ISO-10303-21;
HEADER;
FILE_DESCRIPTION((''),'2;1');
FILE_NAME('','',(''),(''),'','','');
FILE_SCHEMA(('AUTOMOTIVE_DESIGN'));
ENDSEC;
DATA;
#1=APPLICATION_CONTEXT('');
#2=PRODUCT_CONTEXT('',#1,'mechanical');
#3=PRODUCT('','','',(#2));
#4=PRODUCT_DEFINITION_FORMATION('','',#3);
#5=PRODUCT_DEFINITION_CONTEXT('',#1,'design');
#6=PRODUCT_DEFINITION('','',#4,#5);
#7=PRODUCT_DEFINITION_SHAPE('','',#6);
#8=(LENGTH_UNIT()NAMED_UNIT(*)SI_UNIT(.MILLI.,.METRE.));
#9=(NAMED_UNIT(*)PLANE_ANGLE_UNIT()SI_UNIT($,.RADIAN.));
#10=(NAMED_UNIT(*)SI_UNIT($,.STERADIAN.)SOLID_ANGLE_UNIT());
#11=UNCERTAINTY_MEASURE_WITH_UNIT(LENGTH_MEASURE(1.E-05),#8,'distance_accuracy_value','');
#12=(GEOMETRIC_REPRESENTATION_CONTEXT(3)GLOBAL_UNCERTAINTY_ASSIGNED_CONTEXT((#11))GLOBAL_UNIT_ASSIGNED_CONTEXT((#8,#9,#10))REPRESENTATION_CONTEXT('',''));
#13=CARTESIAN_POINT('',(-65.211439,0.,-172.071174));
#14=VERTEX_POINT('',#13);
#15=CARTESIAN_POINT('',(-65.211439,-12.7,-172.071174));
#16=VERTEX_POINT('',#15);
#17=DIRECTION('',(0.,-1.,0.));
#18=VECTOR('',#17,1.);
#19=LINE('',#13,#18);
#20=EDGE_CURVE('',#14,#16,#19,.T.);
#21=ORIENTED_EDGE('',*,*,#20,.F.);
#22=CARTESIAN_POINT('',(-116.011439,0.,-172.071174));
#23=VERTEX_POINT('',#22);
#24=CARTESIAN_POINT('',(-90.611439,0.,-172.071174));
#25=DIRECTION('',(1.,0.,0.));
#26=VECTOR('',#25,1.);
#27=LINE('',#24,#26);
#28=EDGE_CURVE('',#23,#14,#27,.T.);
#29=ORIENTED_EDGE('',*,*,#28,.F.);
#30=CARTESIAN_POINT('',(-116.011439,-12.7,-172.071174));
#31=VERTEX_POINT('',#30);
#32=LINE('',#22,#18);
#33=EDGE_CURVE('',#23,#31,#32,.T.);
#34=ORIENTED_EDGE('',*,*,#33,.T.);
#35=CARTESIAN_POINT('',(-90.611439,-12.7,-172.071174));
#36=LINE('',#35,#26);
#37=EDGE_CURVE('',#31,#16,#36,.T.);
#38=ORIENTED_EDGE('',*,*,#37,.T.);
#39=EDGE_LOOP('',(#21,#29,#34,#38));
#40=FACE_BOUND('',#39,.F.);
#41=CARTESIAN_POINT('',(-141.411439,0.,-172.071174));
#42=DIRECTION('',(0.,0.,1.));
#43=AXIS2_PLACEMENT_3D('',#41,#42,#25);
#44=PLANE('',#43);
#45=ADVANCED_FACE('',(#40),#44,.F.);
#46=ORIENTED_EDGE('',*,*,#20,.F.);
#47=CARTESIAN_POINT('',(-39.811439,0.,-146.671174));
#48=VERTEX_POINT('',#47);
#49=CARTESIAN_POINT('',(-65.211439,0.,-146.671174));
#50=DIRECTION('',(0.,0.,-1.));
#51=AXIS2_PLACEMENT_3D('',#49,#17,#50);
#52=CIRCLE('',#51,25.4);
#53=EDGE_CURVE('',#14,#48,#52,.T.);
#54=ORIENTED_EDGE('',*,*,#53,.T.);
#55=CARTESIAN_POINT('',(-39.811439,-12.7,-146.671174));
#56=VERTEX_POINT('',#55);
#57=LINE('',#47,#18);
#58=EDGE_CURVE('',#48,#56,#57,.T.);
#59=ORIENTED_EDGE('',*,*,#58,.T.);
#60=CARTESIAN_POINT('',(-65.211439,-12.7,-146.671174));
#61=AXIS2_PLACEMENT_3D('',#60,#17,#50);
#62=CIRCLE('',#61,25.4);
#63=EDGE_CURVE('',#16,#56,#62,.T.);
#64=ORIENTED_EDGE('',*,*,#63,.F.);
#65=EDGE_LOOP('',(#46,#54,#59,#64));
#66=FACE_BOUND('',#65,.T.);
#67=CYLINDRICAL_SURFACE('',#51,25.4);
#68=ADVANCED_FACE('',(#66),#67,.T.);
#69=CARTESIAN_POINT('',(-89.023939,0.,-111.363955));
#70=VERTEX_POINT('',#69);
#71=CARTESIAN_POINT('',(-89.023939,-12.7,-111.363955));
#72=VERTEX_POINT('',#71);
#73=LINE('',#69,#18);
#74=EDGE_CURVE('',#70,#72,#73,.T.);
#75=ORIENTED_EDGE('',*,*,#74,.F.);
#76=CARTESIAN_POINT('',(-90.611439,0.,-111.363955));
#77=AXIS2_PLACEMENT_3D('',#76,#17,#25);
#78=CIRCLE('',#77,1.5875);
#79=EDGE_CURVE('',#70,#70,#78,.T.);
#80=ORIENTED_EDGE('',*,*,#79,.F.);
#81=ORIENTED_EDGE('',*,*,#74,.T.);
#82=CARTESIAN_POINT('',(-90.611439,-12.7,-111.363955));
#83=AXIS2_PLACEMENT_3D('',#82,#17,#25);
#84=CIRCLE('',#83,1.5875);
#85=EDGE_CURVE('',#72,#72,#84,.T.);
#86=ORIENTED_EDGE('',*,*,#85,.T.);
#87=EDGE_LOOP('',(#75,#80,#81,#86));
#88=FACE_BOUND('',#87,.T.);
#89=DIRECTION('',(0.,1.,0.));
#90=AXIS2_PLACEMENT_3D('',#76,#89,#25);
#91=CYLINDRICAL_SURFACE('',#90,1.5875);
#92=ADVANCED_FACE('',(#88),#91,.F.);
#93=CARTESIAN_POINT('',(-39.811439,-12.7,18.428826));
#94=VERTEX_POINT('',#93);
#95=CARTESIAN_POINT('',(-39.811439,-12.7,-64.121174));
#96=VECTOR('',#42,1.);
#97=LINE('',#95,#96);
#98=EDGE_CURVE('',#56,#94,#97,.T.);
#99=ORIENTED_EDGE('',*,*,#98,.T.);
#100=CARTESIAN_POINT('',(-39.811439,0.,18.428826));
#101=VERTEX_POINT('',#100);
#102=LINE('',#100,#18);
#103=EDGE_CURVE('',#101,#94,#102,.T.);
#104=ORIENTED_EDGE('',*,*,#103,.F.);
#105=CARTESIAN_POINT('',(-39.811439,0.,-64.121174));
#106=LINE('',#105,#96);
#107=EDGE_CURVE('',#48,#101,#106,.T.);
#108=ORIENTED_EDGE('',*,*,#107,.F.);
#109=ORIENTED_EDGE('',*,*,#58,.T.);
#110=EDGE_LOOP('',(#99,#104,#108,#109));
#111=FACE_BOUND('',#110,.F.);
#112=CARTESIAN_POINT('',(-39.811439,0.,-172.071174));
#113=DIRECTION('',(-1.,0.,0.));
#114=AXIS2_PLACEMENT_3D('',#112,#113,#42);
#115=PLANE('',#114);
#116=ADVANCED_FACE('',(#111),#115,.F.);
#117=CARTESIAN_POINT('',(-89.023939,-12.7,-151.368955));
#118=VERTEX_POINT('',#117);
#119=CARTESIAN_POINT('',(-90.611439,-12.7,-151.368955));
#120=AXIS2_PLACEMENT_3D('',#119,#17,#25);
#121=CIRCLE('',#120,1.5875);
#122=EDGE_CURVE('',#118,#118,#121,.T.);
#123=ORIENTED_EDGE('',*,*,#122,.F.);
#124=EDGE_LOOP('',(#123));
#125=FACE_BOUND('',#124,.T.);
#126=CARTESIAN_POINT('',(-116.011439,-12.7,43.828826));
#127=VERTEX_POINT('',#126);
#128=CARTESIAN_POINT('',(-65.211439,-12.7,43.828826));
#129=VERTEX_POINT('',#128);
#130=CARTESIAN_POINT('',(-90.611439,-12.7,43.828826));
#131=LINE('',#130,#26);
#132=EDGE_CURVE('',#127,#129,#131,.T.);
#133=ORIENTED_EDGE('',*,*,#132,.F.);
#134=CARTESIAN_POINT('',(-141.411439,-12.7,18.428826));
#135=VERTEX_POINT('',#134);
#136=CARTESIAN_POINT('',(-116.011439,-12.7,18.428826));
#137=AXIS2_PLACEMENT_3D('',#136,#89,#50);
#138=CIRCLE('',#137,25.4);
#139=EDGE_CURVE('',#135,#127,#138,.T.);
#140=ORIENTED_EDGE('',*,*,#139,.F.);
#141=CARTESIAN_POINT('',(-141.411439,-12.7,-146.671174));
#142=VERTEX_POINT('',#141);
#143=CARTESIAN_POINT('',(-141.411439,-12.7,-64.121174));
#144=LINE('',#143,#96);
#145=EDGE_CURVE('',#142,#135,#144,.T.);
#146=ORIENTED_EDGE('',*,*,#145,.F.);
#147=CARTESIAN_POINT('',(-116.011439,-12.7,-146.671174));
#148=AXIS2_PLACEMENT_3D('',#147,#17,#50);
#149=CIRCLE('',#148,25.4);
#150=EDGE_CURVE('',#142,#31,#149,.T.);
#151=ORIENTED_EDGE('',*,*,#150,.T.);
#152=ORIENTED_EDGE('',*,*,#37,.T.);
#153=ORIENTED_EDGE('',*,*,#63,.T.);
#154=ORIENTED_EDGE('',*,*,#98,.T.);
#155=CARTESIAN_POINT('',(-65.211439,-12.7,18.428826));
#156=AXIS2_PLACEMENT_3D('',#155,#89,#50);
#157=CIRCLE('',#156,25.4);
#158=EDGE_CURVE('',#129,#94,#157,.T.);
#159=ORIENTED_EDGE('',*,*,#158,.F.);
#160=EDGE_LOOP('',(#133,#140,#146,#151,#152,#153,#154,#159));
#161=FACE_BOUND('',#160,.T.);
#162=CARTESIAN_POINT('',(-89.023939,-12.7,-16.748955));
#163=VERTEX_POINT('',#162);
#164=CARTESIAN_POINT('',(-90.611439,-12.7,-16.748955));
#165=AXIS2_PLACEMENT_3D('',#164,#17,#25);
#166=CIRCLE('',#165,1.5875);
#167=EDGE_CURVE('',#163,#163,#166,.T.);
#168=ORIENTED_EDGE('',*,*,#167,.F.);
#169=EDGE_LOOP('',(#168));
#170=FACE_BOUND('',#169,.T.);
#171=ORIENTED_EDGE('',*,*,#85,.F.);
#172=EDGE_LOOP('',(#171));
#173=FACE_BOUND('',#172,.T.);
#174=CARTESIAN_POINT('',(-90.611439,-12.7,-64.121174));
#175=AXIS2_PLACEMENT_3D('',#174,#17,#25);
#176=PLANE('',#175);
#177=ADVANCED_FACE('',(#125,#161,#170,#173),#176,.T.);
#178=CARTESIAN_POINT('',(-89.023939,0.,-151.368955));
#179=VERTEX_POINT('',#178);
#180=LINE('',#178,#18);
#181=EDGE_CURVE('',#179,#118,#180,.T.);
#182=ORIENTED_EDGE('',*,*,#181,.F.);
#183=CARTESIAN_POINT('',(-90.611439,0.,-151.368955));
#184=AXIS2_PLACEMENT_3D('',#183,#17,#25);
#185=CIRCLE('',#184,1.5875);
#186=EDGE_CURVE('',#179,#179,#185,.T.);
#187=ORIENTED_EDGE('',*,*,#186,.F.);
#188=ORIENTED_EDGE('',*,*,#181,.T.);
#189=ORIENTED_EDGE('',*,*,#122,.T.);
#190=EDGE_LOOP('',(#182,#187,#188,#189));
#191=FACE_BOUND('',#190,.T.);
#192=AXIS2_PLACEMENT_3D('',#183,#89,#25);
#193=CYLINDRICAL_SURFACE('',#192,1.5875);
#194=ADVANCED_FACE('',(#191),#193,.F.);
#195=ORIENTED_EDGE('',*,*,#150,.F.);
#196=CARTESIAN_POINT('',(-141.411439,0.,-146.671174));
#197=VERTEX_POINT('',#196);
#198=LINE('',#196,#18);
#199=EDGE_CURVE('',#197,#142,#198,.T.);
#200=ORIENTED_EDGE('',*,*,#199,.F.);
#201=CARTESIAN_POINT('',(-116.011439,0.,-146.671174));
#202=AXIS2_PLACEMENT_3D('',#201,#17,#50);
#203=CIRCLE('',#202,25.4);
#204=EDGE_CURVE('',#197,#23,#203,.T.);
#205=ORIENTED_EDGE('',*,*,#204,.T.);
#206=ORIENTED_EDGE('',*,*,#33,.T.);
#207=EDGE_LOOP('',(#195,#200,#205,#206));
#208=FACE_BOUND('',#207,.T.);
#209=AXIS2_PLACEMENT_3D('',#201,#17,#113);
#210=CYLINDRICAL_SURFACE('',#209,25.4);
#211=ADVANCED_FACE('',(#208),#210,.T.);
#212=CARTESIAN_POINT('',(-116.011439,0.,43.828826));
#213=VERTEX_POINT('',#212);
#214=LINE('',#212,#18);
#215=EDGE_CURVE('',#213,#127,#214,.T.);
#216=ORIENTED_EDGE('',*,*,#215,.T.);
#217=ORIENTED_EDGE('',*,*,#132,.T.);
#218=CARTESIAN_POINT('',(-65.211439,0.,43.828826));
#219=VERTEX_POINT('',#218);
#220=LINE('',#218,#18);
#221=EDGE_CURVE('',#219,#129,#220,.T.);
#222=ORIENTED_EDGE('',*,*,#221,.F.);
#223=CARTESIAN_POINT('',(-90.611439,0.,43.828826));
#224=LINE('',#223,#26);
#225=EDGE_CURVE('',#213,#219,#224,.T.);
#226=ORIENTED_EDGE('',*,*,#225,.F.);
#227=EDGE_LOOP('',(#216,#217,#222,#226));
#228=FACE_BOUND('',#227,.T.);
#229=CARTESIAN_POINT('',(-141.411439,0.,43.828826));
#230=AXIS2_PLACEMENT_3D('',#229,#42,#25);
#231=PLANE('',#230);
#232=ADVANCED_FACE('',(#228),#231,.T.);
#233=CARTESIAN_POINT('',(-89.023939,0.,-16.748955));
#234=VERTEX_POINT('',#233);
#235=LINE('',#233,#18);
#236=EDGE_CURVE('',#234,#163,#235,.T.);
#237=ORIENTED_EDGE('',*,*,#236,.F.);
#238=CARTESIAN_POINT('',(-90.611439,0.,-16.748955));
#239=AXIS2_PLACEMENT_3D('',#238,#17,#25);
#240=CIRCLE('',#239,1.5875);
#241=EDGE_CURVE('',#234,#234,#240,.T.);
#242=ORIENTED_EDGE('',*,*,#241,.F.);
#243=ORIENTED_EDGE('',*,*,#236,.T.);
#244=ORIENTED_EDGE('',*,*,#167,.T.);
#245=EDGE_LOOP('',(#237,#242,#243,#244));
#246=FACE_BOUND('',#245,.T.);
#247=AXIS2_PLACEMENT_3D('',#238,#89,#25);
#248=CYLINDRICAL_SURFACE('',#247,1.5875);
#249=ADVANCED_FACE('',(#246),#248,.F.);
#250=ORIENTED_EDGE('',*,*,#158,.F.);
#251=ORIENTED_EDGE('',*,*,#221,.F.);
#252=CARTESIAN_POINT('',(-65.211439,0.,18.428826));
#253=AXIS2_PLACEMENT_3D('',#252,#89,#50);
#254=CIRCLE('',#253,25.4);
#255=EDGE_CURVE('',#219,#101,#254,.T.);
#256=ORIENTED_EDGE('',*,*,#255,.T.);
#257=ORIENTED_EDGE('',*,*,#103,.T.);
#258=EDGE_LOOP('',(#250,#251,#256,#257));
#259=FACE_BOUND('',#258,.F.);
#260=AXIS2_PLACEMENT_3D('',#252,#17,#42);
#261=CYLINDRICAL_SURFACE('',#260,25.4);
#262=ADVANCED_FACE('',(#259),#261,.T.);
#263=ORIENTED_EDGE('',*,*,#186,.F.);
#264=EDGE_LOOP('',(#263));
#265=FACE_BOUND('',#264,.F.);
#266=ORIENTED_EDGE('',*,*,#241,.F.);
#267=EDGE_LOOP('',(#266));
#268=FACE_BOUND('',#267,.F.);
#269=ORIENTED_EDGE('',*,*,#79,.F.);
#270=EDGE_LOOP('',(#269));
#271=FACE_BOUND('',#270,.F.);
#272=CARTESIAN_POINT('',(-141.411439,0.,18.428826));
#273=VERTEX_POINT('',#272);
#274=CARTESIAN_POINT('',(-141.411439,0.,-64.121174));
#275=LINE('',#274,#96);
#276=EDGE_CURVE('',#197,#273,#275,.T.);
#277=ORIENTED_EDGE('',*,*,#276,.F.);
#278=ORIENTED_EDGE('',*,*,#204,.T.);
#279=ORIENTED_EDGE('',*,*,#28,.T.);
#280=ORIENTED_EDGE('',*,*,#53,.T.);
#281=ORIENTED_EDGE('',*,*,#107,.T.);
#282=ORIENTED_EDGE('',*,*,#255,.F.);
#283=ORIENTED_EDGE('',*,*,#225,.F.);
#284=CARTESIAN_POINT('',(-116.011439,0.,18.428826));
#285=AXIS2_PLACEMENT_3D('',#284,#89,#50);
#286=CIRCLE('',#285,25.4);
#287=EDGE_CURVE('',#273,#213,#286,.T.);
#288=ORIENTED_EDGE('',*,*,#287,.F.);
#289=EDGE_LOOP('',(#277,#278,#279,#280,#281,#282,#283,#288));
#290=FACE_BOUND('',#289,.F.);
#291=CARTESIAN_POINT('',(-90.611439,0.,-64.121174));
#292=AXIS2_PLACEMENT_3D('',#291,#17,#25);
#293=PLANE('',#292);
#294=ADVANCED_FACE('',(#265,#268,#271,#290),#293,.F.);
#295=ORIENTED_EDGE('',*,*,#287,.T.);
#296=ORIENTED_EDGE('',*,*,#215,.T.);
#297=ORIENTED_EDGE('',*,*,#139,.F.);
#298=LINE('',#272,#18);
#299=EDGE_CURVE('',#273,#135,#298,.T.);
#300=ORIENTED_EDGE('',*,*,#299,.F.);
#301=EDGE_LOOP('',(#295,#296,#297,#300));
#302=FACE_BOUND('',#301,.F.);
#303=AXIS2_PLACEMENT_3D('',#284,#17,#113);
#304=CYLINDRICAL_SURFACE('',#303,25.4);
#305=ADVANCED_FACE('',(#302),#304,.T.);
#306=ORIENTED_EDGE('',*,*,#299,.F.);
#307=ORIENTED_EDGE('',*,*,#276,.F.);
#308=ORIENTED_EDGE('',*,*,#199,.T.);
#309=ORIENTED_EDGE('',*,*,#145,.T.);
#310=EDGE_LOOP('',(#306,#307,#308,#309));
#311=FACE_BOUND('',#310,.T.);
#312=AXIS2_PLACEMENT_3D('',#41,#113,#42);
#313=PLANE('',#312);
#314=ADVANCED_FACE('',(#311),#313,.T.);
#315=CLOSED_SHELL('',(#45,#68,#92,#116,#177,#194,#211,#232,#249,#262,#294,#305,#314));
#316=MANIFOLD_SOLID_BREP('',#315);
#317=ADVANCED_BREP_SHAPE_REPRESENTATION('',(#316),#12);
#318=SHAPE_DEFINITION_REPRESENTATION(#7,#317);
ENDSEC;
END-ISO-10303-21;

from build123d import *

# Parameters (mm, degrees)
F0_W     = 101.6
F0_H     = 215.9
F0_R     = 1.5875
F1_DEPTH = 12.7
F2_R     = 25.4
F3_R     = 25.4
F4_R     = 25.4
F5_R     = 25.4


with BuildPart() as f1:
    # F0 (on Front) → F1 (new body)
    with BuildSketch(Plane.XZ):
        with Locations((-90.611439, -64.121174)):
            Rectangle(F0_W, F0_H)
        with Locations((-90.611439, -111.363955)):
            Circle(F0_R, mode=Mode.SUBTRACT)
        with Locations((-90.611439, -151.368955)):
            Circle(F0_R, mode=Mode.SUBTRACT)
        with Locations((-90.611439, -16.748955)):
            Circle(F0_R, mode=Mode.SUBTRACT)
    extrude(amount=F1_DEPTH)

    # F2
    f2_edges = [f1.edges().sort_by_distance(p)[0] for p in [
        (-141.411439, -6.35, 43.828826),
    ]]
    fillet(f2_edges, radius=F2_R)

    # F3
    f3_edges = [f1.edges().sort_by_distance(p)[0] for p in [
        (-39.811439, -6.35, 43.828826),
    ]]
    fillet(f3_edges, radius=F3_R)

    # F4
    f4_edges = [f1.edges().sort_by_distance(p)[0] for p in [
        (-141.411439, -6.35, -172.071174),
    ]]
    fillet(f4_edges, radius=F4_R)

    # F5
    f5_edges = [f1.edges().sort_by_distance(p)[0] for p in [
        (-39.811439, -6.35, -172.071174),
    ]]
    fillet(f5_edges, radius=F5_R)


solid = f1.part
